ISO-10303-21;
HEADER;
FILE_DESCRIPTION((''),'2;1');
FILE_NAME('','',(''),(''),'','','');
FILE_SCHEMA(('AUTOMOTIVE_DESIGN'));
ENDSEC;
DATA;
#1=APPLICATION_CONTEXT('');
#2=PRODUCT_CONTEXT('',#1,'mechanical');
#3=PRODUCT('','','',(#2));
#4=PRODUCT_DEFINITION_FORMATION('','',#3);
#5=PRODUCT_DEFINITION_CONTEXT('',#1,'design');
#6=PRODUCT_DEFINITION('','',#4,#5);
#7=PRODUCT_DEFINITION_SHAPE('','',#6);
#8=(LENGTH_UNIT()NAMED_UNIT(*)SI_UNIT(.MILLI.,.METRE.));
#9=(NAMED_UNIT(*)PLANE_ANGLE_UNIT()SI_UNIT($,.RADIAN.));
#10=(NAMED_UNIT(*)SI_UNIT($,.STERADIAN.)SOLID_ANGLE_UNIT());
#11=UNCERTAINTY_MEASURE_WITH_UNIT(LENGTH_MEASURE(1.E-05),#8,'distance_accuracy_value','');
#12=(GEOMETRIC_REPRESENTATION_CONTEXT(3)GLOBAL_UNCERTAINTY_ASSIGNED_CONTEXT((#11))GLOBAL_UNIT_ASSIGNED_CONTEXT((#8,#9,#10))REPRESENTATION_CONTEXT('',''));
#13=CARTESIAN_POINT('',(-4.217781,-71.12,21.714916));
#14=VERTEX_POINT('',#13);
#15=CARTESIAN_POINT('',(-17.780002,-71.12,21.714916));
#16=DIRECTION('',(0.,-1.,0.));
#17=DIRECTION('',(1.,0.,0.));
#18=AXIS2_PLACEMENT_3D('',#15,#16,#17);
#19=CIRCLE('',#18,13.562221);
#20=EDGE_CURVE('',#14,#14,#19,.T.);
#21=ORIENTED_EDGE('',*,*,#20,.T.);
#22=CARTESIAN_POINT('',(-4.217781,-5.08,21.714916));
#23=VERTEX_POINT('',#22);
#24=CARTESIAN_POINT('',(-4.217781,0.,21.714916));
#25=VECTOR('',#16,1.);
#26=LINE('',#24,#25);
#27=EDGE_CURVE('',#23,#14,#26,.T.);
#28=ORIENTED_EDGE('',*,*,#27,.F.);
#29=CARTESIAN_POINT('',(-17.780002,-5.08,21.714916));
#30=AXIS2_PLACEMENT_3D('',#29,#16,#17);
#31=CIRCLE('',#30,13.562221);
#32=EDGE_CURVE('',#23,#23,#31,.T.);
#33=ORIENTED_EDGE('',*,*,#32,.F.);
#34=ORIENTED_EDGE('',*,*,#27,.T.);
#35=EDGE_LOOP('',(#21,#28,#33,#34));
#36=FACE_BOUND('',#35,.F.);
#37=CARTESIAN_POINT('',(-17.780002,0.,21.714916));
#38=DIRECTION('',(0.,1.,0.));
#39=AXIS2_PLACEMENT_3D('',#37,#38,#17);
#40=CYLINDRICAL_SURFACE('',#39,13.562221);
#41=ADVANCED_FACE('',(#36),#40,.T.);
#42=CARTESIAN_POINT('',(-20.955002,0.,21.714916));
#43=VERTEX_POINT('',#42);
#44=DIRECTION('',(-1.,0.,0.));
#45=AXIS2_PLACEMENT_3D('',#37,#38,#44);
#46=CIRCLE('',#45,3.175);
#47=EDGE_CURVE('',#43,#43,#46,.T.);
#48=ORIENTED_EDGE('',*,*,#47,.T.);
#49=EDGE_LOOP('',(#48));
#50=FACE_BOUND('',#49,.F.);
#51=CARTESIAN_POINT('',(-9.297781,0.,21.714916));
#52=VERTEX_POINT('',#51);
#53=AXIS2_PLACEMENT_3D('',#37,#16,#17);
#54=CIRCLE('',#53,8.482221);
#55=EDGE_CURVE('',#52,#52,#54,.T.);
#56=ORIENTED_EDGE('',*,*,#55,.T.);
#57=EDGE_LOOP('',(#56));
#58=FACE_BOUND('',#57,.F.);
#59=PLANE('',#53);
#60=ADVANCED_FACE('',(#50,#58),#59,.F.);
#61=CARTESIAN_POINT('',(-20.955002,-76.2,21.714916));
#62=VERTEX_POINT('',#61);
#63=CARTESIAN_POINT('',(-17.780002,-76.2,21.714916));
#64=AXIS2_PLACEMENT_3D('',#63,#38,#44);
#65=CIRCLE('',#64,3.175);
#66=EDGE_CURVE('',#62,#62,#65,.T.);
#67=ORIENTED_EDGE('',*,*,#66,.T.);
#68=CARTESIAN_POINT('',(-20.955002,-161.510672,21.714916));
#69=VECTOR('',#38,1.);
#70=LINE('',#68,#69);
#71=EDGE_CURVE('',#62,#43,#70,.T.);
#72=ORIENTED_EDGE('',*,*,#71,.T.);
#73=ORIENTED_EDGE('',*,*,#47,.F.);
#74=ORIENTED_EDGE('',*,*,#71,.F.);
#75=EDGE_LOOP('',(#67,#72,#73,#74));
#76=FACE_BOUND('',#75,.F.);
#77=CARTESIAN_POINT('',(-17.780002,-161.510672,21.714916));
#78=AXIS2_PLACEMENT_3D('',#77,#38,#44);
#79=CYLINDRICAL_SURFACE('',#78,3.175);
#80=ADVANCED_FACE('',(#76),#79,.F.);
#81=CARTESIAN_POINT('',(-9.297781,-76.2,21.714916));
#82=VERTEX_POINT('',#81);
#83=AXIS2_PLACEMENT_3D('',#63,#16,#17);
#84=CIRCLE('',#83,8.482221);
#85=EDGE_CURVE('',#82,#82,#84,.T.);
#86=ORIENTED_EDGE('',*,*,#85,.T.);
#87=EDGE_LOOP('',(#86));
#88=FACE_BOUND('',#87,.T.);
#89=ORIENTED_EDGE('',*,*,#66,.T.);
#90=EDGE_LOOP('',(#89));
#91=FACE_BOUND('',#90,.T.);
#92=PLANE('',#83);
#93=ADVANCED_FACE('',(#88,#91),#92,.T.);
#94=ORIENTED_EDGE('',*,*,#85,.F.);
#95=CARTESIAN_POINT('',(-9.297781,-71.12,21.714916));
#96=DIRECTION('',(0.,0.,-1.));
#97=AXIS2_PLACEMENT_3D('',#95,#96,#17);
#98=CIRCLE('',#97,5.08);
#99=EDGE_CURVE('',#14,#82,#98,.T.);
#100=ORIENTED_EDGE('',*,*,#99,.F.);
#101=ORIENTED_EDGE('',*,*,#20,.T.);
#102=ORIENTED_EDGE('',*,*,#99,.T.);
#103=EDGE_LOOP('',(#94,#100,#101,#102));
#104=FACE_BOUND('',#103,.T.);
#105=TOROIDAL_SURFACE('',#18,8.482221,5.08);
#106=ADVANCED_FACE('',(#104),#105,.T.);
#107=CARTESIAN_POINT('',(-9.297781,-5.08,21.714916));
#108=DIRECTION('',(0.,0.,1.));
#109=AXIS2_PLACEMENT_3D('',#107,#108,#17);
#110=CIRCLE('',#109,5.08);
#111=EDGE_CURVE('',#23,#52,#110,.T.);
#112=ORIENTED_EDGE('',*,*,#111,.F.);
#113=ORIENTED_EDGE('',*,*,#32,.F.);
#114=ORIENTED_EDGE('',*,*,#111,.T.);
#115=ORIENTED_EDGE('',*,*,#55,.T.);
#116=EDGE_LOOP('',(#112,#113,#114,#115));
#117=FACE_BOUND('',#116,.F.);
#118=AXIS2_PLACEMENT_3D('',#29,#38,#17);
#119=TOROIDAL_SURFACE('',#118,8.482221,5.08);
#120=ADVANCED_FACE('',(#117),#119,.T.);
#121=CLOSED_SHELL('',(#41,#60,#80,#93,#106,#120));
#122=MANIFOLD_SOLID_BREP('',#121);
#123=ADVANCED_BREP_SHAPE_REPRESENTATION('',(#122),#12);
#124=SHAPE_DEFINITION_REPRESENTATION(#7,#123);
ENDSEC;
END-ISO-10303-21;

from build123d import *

# Parameters (mm, degrees)
F0_R     = 13.562221
F1_DEPTH = 76.2
F3_D     = 6.35
F4_R     = 5.08
F5_R     = 5.08


with BuildPart() as f1:
    # F0 (on Front) → F1 (new body)
    with BuildSketch(Plane.XZ):
        with Locations((-17.780002, 21.714916)):
            Circle(F0_R)
    extrude(amount=F1_DEPTH)

    # F3 (through all)
    with Locations(Plane.XZ.offset(76.2)):
        with Locations((-17.780002, 21.714916)):
            Hole(F3_D / 2)

    # F4
    f4_edges = [f1.edges().sort_by_distance(p)[0] for p in [
        (-31.342224, -76.2, 21.714916),
    ]]
    fillet(f4_edges, radius=F4_R)

    # F5
    f5_edges = [f1.edges().sort_by_distance(p)[0] for p in [
        (-31.342224, 0, 21.714916),
    ]]
    fillet(f5_edges, radius=F5_R)


solid = f1.part
